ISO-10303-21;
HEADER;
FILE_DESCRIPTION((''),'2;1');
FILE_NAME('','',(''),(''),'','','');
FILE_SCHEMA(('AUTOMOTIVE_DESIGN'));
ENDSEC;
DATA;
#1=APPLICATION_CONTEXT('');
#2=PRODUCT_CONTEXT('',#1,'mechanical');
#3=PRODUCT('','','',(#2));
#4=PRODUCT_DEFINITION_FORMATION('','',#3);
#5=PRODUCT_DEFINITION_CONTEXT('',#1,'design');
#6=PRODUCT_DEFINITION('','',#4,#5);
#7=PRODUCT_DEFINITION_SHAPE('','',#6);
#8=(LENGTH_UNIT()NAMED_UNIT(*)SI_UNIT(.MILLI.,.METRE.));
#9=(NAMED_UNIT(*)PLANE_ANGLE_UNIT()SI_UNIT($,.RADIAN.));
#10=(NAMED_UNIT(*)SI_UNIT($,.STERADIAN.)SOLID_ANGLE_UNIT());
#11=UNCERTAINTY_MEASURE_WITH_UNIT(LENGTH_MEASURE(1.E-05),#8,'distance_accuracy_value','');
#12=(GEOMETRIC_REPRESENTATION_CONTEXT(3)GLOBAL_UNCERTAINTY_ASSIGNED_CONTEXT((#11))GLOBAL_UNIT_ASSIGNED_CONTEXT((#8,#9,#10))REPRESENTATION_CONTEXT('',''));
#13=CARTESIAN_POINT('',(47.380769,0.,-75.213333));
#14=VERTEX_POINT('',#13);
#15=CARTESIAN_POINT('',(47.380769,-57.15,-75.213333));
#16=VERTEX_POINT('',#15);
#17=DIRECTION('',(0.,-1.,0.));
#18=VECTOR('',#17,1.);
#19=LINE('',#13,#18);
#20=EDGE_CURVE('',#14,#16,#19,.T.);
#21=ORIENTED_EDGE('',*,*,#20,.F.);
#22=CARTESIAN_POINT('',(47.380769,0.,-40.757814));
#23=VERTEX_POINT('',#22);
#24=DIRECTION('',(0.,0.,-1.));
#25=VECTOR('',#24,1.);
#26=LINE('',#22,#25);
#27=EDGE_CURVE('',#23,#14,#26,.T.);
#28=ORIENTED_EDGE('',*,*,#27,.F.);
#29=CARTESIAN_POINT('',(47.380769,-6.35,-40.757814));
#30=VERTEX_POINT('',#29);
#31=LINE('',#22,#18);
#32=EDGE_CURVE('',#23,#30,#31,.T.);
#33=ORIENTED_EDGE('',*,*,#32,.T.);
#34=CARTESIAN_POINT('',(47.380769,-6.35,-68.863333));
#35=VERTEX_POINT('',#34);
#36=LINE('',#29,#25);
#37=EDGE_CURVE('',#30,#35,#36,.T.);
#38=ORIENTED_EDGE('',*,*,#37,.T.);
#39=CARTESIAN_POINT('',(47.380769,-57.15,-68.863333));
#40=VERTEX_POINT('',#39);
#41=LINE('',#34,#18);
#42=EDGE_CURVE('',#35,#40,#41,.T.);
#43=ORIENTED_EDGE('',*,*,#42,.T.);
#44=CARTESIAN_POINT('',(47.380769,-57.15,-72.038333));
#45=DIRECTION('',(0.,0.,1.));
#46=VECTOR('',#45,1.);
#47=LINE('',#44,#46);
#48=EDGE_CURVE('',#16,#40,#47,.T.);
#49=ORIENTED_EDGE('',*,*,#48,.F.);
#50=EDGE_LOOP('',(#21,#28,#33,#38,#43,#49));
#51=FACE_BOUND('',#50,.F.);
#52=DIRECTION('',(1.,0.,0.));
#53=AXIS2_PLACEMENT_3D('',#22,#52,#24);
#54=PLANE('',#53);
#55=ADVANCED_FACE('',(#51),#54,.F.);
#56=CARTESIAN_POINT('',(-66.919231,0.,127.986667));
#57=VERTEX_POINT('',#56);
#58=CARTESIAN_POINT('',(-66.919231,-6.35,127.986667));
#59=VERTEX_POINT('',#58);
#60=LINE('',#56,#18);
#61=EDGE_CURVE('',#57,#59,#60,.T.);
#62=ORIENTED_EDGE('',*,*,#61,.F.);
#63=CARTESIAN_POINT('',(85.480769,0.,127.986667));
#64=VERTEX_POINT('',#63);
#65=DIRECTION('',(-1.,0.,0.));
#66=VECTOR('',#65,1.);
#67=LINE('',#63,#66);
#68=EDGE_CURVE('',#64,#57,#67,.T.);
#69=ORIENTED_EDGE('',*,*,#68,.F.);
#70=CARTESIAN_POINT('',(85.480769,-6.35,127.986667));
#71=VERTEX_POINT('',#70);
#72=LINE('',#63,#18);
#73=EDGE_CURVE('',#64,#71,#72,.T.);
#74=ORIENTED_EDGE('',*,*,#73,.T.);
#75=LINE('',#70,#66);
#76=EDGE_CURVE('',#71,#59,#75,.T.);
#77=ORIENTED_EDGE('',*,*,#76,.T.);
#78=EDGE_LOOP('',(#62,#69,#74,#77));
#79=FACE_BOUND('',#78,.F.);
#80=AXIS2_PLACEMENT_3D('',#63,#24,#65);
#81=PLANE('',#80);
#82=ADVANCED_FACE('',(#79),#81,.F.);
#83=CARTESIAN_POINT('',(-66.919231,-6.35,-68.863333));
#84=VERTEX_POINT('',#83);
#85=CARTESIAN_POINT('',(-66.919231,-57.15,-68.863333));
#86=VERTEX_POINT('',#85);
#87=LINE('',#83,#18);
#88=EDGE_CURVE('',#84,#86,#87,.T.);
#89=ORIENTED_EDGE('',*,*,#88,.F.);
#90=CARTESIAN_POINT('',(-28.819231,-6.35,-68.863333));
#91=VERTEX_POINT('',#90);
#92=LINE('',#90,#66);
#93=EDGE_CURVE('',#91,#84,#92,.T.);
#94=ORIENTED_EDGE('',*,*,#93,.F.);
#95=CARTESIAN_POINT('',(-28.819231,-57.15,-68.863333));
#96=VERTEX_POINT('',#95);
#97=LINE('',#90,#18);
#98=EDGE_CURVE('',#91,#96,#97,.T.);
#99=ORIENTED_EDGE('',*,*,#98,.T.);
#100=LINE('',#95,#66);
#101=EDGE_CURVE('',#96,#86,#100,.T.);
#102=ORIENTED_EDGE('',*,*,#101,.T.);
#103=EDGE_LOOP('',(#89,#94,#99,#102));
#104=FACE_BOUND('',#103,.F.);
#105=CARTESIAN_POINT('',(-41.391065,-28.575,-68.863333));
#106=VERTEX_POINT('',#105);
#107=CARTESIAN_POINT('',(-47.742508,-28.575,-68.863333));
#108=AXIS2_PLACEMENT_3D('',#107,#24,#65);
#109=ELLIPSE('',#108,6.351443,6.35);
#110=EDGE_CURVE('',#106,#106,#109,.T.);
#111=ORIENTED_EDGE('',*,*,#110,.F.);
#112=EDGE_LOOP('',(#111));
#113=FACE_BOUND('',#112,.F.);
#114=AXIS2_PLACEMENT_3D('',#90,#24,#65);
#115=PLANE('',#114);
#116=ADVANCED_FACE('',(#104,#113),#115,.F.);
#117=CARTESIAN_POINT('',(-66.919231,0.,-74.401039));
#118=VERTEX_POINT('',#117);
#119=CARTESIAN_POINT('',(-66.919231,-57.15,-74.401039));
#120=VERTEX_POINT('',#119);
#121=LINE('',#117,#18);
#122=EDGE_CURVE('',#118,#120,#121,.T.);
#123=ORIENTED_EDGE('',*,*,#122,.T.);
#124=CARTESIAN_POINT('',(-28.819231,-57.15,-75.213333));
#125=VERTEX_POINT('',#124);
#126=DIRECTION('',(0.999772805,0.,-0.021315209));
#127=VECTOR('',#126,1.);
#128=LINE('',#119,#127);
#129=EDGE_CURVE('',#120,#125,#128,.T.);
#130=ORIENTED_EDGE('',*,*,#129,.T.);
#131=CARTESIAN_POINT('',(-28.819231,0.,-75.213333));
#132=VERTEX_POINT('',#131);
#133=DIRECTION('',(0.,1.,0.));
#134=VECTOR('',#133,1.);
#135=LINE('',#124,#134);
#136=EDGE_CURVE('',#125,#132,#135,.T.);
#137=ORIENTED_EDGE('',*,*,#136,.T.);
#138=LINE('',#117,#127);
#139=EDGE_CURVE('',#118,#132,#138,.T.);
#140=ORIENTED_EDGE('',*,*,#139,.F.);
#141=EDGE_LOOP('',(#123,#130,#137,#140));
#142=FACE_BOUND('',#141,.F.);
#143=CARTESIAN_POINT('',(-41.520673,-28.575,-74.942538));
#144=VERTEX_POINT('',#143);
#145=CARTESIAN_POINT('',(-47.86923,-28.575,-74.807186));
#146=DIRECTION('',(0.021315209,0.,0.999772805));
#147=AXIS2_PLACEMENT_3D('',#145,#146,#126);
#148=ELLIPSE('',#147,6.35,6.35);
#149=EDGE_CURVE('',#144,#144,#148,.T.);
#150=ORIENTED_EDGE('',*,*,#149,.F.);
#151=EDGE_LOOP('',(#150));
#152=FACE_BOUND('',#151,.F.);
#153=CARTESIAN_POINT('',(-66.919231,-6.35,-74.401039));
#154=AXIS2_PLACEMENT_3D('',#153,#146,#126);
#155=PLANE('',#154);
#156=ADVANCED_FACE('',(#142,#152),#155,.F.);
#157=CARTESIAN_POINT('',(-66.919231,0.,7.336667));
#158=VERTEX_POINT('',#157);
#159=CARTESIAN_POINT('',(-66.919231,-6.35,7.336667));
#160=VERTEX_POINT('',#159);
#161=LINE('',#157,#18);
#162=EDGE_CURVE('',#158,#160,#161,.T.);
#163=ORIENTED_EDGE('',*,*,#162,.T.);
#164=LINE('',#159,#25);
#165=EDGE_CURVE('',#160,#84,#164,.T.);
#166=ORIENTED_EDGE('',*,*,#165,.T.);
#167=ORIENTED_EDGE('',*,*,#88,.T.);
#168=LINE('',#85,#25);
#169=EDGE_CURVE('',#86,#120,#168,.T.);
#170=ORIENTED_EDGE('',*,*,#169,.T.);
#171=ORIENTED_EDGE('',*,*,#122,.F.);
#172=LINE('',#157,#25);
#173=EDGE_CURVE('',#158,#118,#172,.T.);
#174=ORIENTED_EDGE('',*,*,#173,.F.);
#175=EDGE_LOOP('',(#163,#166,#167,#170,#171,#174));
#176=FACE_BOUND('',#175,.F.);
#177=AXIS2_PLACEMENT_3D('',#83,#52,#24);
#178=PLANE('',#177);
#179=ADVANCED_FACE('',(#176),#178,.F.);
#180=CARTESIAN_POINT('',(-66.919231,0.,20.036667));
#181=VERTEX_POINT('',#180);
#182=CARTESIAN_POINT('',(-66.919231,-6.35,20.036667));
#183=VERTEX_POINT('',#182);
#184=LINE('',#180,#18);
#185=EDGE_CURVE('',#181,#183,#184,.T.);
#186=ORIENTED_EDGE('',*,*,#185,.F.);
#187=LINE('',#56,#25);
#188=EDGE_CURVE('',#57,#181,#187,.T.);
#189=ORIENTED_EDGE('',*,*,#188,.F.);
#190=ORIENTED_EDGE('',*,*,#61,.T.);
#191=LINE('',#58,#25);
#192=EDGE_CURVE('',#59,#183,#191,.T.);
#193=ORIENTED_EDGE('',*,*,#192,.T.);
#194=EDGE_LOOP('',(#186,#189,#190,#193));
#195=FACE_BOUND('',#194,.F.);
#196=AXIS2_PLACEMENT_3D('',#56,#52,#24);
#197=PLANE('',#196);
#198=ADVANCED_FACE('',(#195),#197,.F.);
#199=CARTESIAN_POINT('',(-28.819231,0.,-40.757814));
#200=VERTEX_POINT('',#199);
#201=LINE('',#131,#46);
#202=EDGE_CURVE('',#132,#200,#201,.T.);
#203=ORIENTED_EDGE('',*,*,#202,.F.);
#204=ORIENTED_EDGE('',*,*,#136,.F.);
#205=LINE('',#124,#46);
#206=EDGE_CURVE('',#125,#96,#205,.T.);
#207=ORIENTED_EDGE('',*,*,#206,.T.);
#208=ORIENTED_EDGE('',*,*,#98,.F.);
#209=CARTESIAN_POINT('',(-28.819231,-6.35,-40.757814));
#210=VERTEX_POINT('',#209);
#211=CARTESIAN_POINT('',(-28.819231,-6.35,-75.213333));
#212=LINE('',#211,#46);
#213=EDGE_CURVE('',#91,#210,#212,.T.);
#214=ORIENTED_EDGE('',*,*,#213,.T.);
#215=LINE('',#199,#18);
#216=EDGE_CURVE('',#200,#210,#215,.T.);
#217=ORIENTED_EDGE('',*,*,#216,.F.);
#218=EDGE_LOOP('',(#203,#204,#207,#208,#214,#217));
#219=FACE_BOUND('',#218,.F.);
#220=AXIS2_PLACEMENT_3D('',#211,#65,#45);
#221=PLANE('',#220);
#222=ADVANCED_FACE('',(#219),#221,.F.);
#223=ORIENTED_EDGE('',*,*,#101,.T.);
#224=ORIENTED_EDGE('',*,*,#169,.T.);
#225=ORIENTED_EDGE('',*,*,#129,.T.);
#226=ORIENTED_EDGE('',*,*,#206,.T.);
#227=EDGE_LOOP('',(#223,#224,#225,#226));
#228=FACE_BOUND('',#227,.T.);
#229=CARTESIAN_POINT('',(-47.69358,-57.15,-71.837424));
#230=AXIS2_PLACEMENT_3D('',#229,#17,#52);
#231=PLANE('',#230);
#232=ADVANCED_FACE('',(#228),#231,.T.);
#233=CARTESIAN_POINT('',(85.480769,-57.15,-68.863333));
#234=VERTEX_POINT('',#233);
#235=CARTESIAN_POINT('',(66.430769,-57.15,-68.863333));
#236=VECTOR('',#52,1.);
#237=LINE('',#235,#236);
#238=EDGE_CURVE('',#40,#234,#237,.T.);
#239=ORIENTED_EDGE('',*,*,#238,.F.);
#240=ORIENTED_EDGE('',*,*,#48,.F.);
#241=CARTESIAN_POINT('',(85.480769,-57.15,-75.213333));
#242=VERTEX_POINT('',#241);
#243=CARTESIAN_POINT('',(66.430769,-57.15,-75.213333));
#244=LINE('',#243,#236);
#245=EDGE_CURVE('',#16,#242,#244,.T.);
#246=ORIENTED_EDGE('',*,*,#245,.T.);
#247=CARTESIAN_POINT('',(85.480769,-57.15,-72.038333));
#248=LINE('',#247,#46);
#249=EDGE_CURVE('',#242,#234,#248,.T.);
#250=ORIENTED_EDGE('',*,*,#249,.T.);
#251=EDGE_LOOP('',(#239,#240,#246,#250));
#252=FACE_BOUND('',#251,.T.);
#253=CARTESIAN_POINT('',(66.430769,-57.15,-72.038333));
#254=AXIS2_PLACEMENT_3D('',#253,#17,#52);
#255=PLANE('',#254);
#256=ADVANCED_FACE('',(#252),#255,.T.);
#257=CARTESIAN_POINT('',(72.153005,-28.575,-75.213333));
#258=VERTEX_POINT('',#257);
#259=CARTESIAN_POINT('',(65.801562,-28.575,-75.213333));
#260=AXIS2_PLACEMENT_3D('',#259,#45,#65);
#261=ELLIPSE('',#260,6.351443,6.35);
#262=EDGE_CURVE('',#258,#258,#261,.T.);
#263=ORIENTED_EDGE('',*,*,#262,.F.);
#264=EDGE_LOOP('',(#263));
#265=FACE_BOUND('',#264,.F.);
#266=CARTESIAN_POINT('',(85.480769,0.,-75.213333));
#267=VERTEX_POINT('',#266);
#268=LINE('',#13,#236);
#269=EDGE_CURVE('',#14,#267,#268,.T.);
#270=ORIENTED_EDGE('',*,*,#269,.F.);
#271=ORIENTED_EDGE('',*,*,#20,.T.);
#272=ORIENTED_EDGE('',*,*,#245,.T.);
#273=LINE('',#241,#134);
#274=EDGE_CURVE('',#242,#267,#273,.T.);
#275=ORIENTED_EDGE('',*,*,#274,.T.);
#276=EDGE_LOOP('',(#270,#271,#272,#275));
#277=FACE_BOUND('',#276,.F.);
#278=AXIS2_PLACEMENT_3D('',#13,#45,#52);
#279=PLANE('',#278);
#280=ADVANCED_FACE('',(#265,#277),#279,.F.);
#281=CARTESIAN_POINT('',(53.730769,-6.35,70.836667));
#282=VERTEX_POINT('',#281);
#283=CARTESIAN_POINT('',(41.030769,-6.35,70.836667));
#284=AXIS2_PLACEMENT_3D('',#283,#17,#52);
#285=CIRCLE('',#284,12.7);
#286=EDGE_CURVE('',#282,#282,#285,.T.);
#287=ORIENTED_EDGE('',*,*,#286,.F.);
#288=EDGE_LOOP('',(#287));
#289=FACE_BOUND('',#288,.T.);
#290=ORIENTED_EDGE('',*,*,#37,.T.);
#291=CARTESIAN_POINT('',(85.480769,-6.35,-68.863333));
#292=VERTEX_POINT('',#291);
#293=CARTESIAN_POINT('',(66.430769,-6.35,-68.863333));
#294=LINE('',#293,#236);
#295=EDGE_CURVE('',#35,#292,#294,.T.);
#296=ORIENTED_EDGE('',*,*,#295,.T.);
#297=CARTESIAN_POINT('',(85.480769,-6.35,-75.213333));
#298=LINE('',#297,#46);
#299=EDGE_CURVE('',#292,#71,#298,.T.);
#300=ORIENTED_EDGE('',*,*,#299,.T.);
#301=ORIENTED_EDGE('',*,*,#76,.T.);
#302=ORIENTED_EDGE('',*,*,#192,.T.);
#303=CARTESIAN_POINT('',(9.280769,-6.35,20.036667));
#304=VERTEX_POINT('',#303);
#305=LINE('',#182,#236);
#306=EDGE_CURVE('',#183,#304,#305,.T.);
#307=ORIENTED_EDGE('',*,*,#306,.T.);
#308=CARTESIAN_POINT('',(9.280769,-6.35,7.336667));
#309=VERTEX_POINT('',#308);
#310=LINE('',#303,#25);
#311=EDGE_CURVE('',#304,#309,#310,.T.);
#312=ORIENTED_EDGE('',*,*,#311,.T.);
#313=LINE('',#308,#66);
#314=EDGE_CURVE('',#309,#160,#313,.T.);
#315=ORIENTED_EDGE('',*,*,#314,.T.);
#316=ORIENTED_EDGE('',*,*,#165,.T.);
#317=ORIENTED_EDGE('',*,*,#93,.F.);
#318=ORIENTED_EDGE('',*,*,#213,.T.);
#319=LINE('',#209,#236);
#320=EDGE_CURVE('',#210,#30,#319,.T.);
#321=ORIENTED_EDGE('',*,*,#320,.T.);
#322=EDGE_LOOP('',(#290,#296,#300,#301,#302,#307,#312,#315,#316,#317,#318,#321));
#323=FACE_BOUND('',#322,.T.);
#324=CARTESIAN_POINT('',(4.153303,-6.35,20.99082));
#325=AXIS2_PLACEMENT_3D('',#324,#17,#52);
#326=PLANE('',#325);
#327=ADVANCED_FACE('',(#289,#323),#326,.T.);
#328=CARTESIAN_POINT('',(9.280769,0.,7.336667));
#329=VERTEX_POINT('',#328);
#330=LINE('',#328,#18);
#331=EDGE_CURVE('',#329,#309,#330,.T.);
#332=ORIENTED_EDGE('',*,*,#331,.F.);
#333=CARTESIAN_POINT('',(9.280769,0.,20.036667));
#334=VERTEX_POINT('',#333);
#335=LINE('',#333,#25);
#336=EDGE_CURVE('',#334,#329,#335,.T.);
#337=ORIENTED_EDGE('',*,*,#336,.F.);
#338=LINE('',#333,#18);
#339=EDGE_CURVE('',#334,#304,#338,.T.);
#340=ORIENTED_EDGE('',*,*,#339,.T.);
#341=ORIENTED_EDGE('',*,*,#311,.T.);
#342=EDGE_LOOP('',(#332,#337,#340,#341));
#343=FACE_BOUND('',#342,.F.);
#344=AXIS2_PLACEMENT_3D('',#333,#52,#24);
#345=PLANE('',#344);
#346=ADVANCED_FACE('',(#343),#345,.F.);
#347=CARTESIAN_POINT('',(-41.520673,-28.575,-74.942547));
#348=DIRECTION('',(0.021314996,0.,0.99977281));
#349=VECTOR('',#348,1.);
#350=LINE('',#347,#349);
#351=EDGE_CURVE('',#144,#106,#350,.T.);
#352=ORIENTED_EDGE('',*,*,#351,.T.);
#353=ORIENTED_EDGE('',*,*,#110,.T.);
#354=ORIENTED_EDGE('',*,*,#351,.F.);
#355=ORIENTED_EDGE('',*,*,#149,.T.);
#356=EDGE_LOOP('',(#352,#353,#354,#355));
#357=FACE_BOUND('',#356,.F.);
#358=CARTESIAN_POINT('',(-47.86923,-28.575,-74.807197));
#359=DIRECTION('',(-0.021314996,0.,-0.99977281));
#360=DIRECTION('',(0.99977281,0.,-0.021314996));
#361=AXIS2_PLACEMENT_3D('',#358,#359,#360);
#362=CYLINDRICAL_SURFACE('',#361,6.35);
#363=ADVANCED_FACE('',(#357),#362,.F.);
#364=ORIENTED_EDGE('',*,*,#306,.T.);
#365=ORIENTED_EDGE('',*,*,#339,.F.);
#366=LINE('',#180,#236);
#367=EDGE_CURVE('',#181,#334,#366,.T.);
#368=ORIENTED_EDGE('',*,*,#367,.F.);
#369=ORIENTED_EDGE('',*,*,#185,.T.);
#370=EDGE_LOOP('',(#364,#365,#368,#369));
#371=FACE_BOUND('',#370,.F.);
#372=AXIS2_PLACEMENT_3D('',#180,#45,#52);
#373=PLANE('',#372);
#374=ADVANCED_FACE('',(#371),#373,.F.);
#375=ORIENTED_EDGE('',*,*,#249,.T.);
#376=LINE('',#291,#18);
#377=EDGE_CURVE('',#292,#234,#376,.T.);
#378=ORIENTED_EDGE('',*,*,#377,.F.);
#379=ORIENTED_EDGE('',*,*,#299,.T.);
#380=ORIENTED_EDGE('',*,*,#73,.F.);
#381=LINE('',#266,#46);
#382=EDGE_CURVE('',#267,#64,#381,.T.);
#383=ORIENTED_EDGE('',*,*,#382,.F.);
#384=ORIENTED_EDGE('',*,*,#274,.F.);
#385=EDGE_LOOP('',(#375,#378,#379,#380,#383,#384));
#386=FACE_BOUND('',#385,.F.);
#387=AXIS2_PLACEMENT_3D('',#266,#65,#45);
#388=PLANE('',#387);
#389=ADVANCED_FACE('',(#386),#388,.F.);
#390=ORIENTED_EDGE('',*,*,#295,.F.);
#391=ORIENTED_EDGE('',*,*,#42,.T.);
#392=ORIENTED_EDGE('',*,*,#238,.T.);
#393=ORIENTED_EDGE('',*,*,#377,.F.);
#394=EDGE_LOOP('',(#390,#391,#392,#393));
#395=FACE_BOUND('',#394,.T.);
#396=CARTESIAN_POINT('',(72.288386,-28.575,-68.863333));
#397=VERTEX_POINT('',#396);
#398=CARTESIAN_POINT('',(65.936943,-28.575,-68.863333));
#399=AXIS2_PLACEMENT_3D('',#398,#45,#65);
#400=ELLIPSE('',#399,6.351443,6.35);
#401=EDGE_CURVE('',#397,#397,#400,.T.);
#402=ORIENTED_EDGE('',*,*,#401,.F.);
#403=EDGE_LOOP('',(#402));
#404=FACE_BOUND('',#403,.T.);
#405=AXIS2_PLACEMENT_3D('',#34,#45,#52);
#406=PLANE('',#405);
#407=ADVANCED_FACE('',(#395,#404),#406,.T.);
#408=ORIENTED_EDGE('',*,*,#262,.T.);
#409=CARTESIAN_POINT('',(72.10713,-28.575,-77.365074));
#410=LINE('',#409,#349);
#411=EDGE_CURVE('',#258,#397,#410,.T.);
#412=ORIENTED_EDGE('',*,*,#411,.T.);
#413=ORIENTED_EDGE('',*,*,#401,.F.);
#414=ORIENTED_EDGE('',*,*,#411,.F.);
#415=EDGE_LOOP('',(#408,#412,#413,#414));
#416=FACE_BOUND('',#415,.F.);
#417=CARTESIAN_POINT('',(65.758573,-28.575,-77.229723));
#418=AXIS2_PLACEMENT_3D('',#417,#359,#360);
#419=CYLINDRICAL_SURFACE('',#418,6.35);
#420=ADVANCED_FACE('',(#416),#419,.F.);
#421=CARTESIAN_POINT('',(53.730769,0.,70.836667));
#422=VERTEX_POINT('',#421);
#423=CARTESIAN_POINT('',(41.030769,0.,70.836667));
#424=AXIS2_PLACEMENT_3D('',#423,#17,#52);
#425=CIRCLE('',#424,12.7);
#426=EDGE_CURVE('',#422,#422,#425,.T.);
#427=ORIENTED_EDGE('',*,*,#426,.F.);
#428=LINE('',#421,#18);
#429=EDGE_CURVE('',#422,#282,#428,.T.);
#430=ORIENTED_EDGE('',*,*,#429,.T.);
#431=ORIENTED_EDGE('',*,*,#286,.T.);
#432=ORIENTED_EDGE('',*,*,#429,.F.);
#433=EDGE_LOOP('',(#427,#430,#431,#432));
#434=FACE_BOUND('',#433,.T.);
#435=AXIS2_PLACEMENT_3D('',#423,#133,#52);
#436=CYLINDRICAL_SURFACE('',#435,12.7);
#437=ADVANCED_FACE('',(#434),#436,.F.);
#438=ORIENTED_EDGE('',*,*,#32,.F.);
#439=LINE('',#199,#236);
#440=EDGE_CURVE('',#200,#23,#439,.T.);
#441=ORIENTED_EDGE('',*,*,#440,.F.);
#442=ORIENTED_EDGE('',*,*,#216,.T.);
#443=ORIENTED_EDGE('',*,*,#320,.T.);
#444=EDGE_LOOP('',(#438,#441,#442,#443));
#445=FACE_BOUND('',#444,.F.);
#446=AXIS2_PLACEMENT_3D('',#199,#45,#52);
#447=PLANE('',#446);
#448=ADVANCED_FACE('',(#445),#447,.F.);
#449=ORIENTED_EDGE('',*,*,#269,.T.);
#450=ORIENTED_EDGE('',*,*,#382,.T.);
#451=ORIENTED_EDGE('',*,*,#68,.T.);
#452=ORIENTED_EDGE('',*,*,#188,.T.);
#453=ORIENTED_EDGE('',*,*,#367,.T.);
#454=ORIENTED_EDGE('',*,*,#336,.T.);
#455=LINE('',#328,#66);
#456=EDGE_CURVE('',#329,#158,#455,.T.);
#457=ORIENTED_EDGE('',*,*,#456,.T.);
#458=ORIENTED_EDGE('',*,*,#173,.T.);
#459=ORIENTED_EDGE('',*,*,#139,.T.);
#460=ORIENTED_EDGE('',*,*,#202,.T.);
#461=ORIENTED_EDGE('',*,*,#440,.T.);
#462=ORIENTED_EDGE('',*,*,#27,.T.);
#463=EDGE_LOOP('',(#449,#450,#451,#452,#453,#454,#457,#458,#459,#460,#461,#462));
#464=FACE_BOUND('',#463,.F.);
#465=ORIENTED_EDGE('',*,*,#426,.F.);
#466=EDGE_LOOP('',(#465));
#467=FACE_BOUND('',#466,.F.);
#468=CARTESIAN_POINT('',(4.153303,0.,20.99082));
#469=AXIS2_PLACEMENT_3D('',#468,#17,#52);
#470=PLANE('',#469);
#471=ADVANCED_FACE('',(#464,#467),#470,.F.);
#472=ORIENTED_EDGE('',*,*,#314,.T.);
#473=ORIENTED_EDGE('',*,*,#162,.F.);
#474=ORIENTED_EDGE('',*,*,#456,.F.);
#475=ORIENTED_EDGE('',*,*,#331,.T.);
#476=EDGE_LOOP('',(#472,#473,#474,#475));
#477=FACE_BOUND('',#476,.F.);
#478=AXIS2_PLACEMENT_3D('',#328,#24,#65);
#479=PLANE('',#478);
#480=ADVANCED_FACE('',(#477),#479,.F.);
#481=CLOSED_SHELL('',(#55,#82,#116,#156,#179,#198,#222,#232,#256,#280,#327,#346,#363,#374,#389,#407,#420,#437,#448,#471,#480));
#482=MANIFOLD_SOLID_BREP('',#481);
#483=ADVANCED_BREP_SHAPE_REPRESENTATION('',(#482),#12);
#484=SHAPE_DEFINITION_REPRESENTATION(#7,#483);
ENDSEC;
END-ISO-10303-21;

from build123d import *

# Parameters (mm, degrees)
F0_R     = 12.7
F1_DEPTH = 6.35
F2_W     = 38.1
F2_H     = 6.35
F3_DEPTH = 50.8
F4_R     = 6.35
F5_DEPTH = 25.4


with BuildPart() as f1:
    # F0 (on Front) → F1 (new body)
    with BuildSketch(Plane.XZ):
        Polygon((85.480769, 127.986667), (-66.919231, 127.986667), (-66.919231, 20.036667), (9.280769, 20.036667), (9.280769, 7.336667), (-66.919231, 7.336667), (-66.919231, -74.401039), (-28.819231, -75.213333), (-28.819231, -40.757814), (47.380769, -40.757814), (47.380769, -75.213333), (85.480769, -75.213333), align=None)
        with Locations((41.030769, 70.836667)):
            Circle(F0_R, mode=Mode.SUBTRACT)
    extrude(amount=F1_DEPTH)

    # F2 (on face) → F3 (join)
    with BuildSketch(Plane.XZ.offset(6.35)):
        Polygon((-28.819231, -68.863333), (-66.919231, -68.863333), (-66.919231, -74.401039), (-28.819231, -75.213333), align=None)
        with Locations((66.430769, -72.038333)):
            Rectangle(F2_W, F2_H)
    extrude(amount=F3_DEPTH)

    # F4 (on face) → F5 (cut)
    with BuildSketch(Plane(origin=(-1.615918, 0, -75.79331), x_dir=(0.999773, 0, -0.021315), z_dir=(-0.021315, 0, -0.999773))):
        with Locations((-46.263823, 28.575)):
            Circle(F4_R)
        with Locations((67.389801, 28.575)):
            Circle(F4_R)
    extrude(amount=-F5_DEPTH, mode=Mode.SUBTRACT)


solid = f1.part
